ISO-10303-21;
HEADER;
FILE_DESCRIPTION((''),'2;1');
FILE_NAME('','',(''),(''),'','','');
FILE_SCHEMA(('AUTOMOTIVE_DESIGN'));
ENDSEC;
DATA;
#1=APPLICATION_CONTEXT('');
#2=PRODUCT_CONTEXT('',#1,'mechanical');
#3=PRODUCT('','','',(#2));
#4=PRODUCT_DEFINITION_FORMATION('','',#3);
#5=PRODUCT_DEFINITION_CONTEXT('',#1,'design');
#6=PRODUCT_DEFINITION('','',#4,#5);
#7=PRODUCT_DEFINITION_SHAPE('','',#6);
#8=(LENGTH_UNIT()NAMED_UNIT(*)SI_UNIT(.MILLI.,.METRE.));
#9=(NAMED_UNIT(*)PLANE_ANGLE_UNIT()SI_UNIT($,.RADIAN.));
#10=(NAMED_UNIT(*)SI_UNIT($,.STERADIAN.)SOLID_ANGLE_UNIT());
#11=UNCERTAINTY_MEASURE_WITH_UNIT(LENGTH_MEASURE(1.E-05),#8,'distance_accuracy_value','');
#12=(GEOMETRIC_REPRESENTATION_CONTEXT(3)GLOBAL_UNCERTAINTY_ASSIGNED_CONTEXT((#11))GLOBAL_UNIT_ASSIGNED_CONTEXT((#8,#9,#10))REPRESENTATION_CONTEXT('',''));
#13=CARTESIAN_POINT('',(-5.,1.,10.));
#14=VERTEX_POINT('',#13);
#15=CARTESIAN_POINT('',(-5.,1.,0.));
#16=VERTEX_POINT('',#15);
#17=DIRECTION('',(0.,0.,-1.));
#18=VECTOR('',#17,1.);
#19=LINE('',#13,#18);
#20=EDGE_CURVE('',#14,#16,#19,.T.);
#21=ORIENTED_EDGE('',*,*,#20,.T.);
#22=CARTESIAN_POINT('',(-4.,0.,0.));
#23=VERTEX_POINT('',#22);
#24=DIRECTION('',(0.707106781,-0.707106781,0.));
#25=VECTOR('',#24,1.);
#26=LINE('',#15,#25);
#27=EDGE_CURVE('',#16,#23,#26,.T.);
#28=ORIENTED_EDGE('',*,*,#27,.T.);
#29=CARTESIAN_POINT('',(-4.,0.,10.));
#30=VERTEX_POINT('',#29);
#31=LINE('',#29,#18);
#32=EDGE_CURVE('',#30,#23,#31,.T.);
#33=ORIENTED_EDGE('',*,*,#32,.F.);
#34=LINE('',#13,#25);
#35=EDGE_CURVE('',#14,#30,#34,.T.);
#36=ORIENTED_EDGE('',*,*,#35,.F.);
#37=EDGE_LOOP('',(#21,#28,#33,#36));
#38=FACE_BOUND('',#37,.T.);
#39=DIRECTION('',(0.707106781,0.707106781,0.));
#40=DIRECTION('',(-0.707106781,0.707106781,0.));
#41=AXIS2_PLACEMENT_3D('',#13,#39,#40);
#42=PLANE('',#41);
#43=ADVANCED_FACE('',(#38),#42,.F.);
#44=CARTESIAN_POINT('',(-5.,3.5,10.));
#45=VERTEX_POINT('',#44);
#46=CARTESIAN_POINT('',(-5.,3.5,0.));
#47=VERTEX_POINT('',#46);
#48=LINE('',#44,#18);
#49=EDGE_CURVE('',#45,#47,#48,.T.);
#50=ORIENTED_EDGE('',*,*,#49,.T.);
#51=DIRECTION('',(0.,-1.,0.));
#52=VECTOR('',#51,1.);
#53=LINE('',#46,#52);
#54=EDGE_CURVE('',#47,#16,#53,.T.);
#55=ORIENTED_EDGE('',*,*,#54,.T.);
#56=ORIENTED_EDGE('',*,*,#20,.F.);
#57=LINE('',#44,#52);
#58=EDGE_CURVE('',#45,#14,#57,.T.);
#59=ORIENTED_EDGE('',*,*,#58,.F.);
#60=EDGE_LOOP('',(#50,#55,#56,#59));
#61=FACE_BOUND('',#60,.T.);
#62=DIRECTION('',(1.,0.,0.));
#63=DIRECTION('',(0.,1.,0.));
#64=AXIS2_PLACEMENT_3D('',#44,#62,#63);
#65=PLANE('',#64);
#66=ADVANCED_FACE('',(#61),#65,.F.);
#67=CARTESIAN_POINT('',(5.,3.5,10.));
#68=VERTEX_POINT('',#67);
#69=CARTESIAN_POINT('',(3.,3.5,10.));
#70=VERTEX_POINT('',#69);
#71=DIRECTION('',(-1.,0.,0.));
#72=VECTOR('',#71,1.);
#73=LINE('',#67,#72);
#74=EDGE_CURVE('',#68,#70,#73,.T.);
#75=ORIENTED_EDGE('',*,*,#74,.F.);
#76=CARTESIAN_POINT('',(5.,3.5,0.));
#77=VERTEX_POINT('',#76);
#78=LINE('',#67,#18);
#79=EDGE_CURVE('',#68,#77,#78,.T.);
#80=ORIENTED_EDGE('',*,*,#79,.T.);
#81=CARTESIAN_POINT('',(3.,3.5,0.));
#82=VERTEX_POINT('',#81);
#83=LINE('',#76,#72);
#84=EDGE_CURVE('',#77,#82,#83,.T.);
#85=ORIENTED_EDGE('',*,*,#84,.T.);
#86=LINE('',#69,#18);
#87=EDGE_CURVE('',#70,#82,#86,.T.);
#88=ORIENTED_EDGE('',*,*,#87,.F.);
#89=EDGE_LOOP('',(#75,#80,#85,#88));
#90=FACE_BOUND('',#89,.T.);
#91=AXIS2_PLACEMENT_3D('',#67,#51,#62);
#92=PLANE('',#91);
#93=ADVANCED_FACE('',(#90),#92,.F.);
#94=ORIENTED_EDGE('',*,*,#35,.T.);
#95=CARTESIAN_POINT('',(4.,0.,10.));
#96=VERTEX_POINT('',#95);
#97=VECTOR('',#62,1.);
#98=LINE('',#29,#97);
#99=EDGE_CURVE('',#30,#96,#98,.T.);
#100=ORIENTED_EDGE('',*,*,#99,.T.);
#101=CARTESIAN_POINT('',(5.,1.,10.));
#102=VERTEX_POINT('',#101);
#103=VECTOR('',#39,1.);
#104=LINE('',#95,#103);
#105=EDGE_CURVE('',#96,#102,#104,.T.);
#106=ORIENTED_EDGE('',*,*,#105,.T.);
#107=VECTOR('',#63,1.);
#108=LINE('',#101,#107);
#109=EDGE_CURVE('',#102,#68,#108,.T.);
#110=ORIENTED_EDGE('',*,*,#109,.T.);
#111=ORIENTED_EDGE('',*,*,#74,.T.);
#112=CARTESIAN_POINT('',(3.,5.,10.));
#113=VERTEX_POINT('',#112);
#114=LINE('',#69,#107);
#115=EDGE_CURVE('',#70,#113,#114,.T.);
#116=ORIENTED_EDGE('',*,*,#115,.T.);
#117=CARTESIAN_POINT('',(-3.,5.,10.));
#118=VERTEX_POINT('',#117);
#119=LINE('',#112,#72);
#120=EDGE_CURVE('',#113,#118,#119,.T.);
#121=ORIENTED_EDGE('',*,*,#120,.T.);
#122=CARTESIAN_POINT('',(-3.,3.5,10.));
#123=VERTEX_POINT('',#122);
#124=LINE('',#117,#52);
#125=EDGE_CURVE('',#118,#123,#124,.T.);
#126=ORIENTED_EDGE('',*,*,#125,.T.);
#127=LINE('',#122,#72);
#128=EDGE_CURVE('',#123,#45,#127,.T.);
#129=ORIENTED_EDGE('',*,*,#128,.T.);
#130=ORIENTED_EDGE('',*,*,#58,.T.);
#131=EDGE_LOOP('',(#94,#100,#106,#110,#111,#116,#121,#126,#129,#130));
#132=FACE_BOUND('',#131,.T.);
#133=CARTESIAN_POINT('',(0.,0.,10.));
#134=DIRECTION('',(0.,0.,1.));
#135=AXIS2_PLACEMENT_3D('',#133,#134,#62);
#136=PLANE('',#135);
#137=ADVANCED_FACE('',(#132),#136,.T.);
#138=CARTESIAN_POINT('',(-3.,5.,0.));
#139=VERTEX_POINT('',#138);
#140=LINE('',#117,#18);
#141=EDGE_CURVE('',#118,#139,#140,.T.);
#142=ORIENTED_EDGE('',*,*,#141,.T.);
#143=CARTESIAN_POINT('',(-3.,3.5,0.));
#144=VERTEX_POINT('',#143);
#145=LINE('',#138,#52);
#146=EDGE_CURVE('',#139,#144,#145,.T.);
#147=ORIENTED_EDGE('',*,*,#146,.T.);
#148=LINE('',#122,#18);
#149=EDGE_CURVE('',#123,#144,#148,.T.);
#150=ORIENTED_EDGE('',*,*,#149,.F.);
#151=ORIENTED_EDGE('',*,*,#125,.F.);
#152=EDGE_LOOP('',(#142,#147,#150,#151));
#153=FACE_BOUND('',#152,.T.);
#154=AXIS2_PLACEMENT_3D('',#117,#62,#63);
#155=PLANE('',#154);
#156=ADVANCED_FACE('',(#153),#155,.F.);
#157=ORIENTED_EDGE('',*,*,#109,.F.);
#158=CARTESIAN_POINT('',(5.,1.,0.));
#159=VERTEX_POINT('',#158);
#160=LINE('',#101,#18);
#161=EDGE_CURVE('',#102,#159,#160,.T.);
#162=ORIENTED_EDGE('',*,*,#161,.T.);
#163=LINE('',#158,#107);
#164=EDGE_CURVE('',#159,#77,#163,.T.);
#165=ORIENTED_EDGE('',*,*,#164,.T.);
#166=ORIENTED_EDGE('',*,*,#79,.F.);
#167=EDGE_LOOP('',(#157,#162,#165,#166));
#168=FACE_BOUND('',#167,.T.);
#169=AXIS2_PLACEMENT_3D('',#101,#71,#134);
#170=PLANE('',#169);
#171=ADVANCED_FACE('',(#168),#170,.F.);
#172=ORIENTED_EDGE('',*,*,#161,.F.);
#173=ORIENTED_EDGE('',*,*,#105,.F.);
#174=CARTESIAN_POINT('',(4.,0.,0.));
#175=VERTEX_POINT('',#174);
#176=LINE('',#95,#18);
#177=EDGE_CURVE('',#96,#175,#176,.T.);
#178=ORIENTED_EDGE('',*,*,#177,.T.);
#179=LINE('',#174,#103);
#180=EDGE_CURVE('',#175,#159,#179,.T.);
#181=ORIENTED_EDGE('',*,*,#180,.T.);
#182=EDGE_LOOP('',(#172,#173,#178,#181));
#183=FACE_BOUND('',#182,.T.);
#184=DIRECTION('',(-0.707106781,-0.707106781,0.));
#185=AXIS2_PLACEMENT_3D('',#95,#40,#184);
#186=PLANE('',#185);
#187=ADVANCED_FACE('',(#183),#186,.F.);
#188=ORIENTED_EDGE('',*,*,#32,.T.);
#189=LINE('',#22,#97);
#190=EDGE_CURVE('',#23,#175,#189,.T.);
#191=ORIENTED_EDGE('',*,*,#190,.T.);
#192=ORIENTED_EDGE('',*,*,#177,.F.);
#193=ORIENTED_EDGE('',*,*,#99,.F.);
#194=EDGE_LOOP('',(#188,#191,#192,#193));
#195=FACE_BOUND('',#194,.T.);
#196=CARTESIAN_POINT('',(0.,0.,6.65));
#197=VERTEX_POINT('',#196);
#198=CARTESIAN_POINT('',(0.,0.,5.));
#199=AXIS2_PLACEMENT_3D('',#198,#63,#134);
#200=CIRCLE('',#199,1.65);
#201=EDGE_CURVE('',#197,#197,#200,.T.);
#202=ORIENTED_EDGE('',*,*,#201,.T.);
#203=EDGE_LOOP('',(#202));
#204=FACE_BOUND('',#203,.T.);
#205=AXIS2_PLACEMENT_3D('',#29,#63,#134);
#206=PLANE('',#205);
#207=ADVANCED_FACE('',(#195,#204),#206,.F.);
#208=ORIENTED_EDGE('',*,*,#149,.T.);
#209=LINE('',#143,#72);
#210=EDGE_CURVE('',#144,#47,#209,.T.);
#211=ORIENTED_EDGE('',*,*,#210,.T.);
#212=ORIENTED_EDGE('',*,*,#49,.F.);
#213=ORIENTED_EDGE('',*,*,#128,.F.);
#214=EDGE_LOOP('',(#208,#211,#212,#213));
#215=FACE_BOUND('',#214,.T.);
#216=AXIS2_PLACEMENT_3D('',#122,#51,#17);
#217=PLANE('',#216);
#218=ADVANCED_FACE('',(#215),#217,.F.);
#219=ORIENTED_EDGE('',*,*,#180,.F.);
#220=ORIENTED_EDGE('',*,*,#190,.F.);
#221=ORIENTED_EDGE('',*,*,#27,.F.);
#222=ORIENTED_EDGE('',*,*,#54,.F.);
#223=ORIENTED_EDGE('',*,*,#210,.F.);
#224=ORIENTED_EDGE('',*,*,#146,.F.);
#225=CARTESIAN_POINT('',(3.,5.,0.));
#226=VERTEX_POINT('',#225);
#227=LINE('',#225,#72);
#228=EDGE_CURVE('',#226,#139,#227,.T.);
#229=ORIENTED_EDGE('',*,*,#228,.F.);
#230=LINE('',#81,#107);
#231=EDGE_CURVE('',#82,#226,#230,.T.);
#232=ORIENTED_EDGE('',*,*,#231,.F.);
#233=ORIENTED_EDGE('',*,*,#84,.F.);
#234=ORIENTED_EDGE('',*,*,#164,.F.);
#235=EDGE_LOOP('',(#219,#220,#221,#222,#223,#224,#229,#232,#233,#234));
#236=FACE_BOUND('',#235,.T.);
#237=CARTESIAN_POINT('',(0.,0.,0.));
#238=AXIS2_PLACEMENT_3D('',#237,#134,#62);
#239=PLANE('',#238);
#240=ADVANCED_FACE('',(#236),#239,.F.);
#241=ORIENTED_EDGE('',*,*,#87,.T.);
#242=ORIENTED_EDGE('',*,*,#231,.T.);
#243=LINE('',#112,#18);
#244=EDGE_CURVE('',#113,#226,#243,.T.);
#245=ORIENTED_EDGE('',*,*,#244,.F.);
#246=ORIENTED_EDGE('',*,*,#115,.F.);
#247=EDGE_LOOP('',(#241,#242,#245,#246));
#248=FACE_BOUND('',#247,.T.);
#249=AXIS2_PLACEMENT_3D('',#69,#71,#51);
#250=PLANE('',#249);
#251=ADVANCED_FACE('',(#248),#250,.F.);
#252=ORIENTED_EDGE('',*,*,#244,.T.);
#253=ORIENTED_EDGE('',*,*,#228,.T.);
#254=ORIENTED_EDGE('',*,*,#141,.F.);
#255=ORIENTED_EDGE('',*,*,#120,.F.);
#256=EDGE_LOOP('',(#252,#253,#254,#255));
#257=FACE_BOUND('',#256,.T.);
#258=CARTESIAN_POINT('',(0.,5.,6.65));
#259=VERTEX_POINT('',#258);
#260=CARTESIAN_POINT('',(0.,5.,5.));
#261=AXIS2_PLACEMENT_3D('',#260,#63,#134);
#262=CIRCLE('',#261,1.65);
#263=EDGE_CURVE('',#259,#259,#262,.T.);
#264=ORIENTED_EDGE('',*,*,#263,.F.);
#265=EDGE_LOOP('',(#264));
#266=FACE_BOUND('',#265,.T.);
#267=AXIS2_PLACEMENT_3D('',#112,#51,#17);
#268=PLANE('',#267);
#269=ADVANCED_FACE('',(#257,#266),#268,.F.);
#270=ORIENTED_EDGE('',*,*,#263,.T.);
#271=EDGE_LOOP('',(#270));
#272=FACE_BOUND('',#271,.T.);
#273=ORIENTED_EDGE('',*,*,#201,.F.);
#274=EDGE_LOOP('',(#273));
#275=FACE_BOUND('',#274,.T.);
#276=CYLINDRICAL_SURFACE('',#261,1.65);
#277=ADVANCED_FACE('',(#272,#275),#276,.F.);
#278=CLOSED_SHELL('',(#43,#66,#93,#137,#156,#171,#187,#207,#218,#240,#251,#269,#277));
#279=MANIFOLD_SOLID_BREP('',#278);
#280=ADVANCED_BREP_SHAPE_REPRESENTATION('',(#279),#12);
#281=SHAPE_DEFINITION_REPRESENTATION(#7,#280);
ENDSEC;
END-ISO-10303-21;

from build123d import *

# Parameters (mm, degrees)
BOSS_EXTRUDE1_DEPTH   = 10
M4X0_7_TAPPED_HOLE1_D = 3.3


with BuildPart() as part:
    # Sketch1 → Boss-Extrude1 (new body)
    with BuildSketch(Plane.XY):
        Polygon((-4, 0), (4, 0), (5, 1), (5, 3.5), (3, 3.5), (3, 5), (-3, 5), (-3, 3.5), (-5, 3.5), (-5, 1), align=None)
    extrude(amount=BOSS_EXTRUDE1_DEPTH)

    # M4x0.7 Tapped Hole1 (through all)
    with Locations(Plane(origin=(0, 5, 0), x_dir=(1, 0, 0), z_dir=(0, 1, 0))):
        with Locations((0, -5)):
            Hole(M4X0_7_TAPPED_HOLE1_D / 2)


solid = part.part
